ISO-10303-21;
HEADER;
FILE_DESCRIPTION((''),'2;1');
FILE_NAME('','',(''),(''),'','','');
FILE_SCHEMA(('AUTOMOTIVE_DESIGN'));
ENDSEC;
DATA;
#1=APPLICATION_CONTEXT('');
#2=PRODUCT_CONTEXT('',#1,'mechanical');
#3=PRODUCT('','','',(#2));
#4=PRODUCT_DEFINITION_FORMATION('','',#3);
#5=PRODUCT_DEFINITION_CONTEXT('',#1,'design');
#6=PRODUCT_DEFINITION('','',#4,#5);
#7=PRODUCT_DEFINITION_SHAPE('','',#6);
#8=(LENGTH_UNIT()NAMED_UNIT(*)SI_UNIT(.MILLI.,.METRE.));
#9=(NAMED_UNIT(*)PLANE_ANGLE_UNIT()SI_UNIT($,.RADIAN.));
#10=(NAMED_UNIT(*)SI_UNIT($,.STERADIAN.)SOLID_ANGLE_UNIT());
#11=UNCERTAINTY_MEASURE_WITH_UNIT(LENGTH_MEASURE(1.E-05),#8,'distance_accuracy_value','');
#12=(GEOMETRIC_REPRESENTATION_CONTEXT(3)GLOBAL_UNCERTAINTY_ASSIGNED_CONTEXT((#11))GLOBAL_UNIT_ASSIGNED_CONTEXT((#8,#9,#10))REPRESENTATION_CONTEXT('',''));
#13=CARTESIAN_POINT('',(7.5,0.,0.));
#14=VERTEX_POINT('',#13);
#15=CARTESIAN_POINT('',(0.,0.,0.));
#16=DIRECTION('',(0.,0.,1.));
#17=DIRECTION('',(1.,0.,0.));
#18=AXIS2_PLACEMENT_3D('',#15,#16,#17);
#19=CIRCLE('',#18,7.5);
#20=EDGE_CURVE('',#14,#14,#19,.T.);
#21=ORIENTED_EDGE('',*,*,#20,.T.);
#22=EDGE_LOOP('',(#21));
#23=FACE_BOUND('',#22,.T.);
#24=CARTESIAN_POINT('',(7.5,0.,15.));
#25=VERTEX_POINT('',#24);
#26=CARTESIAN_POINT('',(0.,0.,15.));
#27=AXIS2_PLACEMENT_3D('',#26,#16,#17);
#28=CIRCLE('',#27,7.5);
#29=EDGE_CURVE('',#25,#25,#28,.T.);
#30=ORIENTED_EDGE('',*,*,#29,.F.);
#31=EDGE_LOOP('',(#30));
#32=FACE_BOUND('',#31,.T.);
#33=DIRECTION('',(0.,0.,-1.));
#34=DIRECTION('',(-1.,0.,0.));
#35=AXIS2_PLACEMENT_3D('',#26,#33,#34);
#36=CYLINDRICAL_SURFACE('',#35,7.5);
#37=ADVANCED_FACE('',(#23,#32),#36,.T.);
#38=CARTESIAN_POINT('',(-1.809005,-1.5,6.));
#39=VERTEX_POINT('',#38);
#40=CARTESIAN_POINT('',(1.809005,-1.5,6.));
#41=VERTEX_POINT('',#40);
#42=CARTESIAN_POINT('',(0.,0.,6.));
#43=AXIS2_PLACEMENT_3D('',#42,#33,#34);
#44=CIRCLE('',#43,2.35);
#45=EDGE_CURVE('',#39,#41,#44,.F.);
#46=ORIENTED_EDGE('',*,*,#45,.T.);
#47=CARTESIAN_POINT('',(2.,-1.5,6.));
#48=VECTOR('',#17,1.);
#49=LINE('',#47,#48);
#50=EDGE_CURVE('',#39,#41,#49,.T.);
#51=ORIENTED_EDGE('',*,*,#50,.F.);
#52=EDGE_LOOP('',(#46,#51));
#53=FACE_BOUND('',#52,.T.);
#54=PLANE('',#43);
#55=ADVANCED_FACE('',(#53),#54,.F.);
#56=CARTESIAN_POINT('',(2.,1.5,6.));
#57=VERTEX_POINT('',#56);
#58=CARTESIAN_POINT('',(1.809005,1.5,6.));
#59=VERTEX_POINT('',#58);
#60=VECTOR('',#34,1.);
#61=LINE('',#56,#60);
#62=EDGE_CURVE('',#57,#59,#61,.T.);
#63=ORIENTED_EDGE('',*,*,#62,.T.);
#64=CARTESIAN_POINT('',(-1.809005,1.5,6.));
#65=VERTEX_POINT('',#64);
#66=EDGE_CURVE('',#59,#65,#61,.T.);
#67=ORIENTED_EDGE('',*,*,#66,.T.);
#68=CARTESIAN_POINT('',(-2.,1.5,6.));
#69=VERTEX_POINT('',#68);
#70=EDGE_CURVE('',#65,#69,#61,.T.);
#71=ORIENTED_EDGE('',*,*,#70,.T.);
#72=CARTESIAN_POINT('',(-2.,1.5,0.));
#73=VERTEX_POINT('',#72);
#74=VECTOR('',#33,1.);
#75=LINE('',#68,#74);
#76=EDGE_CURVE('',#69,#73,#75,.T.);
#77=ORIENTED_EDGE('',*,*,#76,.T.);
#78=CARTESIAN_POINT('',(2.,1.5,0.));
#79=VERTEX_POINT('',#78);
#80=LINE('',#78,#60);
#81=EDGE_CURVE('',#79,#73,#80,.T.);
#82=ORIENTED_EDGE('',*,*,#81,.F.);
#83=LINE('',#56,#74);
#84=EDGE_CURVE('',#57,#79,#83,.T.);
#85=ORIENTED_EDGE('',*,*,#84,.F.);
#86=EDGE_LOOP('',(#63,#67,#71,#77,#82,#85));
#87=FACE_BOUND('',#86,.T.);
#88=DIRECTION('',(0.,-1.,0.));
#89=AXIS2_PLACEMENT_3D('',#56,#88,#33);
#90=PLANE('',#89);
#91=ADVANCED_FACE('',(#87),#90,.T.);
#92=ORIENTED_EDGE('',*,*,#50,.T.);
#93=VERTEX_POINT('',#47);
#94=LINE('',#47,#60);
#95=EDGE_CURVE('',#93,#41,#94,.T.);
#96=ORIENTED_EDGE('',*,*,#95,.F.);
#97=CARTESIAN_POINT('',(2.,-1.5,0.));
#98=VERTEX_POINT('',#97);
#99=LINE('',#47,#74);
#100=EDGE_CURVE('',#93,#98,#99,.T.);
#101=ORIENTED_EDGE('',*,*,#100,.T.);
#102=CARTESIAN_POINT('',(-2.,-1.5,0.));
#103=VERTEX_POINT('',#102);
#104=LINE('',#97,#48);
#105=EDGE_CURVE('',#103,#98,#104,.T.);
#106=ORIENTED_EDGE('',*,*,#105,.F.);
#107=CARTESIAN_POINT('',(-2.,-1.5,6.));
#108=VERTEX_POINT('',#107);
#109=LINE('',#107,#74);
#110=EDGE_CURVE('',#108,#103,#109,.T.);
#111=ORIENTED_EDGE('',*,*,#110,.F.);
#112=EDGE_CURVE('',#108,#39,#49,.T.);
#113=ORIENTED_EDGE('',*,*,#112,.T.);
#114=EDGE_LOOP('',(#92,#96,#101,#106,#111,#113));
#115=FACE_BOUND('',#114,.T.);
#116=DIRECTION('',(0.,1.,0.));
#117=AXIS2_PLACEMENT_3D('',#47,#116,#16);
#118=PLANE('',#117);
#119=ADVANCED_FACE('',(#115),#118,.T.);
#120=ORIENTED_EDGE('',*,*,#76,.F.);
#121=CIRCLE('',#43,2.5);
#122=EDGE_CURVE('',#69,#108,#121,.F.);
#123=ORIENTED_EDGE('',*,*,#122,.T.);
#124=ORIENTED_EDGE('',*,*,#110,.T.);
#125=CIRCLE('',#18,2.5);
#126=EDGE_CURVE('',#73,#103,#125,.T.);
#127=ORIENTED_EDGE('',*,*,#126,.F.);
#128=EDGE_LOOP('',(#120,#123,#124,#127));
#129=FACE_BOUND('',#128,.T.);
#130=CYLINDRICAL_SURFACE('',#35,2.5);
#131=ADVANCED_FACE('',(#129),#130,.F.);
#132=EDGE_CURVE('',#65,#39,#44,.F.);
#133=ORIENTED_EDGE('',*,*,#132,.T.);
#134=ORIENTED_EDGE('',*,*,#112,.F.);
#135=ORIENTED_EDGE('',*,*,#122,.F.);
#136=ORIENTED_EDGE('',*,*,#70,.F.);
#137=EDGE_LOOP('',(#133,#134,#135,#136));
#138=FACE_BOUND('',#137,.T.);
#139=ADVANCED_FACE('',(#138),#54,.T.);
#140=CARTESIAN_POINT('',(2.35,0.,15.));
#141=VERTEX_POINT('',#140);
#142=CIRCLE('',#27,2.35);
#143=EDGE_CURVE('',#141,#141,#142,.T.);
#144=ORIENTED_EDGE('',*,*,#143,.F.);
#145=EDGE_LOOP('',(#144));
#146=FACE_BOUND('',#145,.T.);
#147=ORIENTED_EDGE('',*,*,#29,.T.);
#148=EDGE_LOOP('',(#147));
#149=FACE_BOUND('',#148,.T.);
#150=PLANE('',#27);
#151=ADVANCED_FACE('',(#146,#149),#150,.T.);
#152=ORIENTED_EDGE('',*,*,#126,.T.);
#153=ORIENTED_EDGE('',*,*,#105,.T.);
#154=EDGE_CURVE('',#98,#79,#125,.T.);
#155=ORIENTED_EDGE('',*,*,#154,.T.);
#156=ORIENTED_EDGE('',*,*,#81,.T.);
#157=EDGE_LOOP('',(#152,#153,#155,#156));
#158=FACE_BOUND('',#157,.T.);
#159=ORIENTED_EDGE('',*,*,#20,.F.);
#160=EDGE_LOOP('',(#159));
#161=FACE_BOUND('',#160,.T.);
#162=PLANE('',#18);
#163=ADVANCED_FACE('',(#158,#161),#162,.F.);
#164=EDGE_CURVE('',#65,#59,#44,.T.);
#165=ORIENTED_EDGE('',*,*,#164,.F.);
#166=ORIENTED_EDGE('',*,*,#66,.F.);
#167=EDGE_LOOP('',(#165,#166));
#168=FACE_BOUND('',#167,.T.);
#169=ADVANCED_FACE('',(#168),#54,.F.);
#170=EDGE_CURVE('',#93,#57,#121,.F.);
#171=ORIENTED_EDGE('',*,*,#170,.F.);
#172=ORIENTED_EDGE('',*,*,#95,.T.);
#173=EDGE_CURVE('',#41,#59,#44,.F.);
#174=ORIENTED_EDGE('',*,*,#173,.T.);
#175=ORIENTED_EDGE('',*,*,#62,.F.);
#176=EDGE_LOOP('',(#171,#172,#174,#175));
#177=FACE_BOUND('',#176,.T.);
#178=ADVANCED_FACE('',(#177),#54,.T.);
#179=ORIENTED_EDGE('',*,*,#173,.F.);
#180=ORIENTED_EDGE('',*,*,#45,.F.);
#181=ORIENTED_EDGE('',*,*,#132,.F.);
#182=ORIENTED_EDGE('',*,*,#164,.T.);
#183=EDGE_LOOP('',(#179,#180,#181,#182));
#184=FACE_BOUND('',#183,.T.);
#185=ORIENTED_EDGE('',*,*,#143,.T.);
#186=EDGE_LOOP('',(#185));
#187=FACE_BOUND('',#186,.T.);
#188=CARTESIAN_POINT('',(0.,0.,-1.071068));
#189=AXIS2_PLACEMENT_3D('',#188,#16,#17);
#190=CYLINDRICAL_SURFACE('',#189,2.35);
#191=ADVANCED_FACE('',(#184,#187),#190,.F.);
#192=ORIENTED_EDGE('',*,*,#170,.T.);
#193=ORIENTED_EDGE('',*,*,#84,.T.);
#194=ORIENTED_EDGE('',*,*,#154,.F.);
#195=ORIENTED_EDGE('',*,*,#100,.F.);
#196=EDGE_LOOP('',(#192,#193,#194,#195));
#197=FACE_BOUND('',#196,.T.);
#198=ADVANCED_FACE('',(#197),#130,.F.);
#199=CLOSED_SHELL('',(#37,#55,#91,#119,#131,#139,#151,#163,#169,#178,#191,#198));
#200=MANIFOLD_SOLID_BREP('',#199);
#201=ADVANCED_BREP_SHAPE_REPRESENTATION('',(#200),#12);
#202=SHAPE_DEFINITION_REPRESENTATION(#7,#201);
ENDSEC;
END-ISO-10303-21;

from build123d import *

# Parameters (mm, degrees)
SCHIZZO1_R                   = 7.5
SCHIZZO1_R_2                 = 2.5
ESTRUSIONE_ESTRUSIONE1_DEPTH = 15
ESTRUSIONE_ESTRUSIONE2_DEPTH = 6
ESTRUSIONE_ESTRUSIONE3_START = -9
SCHIZZO3_R                   = 2.5
SCHIZZO3_R_2                 = 2.35
ESTRUSIONE_ESTRUSIONE3_DEPTH = 9


with BuildPart() as part:
    # Schizzo1 → Estrusione-Estrusione1 (new body)
    with BuildSketch(Plane.XY):
        Circle(SCHIZZO1_R)
        Circle(SCHIZZO1_R_2, mode=Mode.SUBTRACT)
    extrude(amount=ESTRUSIONE_ESTRUSIONE1_DEPTH)

    # Schizzo2 → Estrusione-Estrusione2 (add)
    with BuildSketch(Plane(origin=(0, 0, 0), x_dir=(-1, 0, 0), z_dir=(0, 0, -1))):
        with BuildLine():
            Line((-2, -1.5), (2, -1.5))
            ThreePointArc((2, -1.5), (0, -2.5), (-2, -1.5))
        make_face()
        with BuildLine():
            Line((-2, 1.5), (2, 1.5))
            ThreePointArc((2, 1.5), (0, 2.5), (-2, 1.5))
        make_face()
    extrude(amount=-ESTRUSIONE_ESTRUSIONE2_DEPTH)

    # Schizzo3 → Estrusione-Estrusione3 (add)
    with BuildSketch(Plane.XY.offset(15).offset(ESTRUSIONE_ESTRUSIONE3_START)):
        Circle(SCHIZZO3_R)
        Circle(SCHIZZO3_R_2, mode=Mode.SUBTRACT)
    extrude(amount=ESTRUSIONE_ESTRUSIONE3_DEPTH)


solid = part.part
